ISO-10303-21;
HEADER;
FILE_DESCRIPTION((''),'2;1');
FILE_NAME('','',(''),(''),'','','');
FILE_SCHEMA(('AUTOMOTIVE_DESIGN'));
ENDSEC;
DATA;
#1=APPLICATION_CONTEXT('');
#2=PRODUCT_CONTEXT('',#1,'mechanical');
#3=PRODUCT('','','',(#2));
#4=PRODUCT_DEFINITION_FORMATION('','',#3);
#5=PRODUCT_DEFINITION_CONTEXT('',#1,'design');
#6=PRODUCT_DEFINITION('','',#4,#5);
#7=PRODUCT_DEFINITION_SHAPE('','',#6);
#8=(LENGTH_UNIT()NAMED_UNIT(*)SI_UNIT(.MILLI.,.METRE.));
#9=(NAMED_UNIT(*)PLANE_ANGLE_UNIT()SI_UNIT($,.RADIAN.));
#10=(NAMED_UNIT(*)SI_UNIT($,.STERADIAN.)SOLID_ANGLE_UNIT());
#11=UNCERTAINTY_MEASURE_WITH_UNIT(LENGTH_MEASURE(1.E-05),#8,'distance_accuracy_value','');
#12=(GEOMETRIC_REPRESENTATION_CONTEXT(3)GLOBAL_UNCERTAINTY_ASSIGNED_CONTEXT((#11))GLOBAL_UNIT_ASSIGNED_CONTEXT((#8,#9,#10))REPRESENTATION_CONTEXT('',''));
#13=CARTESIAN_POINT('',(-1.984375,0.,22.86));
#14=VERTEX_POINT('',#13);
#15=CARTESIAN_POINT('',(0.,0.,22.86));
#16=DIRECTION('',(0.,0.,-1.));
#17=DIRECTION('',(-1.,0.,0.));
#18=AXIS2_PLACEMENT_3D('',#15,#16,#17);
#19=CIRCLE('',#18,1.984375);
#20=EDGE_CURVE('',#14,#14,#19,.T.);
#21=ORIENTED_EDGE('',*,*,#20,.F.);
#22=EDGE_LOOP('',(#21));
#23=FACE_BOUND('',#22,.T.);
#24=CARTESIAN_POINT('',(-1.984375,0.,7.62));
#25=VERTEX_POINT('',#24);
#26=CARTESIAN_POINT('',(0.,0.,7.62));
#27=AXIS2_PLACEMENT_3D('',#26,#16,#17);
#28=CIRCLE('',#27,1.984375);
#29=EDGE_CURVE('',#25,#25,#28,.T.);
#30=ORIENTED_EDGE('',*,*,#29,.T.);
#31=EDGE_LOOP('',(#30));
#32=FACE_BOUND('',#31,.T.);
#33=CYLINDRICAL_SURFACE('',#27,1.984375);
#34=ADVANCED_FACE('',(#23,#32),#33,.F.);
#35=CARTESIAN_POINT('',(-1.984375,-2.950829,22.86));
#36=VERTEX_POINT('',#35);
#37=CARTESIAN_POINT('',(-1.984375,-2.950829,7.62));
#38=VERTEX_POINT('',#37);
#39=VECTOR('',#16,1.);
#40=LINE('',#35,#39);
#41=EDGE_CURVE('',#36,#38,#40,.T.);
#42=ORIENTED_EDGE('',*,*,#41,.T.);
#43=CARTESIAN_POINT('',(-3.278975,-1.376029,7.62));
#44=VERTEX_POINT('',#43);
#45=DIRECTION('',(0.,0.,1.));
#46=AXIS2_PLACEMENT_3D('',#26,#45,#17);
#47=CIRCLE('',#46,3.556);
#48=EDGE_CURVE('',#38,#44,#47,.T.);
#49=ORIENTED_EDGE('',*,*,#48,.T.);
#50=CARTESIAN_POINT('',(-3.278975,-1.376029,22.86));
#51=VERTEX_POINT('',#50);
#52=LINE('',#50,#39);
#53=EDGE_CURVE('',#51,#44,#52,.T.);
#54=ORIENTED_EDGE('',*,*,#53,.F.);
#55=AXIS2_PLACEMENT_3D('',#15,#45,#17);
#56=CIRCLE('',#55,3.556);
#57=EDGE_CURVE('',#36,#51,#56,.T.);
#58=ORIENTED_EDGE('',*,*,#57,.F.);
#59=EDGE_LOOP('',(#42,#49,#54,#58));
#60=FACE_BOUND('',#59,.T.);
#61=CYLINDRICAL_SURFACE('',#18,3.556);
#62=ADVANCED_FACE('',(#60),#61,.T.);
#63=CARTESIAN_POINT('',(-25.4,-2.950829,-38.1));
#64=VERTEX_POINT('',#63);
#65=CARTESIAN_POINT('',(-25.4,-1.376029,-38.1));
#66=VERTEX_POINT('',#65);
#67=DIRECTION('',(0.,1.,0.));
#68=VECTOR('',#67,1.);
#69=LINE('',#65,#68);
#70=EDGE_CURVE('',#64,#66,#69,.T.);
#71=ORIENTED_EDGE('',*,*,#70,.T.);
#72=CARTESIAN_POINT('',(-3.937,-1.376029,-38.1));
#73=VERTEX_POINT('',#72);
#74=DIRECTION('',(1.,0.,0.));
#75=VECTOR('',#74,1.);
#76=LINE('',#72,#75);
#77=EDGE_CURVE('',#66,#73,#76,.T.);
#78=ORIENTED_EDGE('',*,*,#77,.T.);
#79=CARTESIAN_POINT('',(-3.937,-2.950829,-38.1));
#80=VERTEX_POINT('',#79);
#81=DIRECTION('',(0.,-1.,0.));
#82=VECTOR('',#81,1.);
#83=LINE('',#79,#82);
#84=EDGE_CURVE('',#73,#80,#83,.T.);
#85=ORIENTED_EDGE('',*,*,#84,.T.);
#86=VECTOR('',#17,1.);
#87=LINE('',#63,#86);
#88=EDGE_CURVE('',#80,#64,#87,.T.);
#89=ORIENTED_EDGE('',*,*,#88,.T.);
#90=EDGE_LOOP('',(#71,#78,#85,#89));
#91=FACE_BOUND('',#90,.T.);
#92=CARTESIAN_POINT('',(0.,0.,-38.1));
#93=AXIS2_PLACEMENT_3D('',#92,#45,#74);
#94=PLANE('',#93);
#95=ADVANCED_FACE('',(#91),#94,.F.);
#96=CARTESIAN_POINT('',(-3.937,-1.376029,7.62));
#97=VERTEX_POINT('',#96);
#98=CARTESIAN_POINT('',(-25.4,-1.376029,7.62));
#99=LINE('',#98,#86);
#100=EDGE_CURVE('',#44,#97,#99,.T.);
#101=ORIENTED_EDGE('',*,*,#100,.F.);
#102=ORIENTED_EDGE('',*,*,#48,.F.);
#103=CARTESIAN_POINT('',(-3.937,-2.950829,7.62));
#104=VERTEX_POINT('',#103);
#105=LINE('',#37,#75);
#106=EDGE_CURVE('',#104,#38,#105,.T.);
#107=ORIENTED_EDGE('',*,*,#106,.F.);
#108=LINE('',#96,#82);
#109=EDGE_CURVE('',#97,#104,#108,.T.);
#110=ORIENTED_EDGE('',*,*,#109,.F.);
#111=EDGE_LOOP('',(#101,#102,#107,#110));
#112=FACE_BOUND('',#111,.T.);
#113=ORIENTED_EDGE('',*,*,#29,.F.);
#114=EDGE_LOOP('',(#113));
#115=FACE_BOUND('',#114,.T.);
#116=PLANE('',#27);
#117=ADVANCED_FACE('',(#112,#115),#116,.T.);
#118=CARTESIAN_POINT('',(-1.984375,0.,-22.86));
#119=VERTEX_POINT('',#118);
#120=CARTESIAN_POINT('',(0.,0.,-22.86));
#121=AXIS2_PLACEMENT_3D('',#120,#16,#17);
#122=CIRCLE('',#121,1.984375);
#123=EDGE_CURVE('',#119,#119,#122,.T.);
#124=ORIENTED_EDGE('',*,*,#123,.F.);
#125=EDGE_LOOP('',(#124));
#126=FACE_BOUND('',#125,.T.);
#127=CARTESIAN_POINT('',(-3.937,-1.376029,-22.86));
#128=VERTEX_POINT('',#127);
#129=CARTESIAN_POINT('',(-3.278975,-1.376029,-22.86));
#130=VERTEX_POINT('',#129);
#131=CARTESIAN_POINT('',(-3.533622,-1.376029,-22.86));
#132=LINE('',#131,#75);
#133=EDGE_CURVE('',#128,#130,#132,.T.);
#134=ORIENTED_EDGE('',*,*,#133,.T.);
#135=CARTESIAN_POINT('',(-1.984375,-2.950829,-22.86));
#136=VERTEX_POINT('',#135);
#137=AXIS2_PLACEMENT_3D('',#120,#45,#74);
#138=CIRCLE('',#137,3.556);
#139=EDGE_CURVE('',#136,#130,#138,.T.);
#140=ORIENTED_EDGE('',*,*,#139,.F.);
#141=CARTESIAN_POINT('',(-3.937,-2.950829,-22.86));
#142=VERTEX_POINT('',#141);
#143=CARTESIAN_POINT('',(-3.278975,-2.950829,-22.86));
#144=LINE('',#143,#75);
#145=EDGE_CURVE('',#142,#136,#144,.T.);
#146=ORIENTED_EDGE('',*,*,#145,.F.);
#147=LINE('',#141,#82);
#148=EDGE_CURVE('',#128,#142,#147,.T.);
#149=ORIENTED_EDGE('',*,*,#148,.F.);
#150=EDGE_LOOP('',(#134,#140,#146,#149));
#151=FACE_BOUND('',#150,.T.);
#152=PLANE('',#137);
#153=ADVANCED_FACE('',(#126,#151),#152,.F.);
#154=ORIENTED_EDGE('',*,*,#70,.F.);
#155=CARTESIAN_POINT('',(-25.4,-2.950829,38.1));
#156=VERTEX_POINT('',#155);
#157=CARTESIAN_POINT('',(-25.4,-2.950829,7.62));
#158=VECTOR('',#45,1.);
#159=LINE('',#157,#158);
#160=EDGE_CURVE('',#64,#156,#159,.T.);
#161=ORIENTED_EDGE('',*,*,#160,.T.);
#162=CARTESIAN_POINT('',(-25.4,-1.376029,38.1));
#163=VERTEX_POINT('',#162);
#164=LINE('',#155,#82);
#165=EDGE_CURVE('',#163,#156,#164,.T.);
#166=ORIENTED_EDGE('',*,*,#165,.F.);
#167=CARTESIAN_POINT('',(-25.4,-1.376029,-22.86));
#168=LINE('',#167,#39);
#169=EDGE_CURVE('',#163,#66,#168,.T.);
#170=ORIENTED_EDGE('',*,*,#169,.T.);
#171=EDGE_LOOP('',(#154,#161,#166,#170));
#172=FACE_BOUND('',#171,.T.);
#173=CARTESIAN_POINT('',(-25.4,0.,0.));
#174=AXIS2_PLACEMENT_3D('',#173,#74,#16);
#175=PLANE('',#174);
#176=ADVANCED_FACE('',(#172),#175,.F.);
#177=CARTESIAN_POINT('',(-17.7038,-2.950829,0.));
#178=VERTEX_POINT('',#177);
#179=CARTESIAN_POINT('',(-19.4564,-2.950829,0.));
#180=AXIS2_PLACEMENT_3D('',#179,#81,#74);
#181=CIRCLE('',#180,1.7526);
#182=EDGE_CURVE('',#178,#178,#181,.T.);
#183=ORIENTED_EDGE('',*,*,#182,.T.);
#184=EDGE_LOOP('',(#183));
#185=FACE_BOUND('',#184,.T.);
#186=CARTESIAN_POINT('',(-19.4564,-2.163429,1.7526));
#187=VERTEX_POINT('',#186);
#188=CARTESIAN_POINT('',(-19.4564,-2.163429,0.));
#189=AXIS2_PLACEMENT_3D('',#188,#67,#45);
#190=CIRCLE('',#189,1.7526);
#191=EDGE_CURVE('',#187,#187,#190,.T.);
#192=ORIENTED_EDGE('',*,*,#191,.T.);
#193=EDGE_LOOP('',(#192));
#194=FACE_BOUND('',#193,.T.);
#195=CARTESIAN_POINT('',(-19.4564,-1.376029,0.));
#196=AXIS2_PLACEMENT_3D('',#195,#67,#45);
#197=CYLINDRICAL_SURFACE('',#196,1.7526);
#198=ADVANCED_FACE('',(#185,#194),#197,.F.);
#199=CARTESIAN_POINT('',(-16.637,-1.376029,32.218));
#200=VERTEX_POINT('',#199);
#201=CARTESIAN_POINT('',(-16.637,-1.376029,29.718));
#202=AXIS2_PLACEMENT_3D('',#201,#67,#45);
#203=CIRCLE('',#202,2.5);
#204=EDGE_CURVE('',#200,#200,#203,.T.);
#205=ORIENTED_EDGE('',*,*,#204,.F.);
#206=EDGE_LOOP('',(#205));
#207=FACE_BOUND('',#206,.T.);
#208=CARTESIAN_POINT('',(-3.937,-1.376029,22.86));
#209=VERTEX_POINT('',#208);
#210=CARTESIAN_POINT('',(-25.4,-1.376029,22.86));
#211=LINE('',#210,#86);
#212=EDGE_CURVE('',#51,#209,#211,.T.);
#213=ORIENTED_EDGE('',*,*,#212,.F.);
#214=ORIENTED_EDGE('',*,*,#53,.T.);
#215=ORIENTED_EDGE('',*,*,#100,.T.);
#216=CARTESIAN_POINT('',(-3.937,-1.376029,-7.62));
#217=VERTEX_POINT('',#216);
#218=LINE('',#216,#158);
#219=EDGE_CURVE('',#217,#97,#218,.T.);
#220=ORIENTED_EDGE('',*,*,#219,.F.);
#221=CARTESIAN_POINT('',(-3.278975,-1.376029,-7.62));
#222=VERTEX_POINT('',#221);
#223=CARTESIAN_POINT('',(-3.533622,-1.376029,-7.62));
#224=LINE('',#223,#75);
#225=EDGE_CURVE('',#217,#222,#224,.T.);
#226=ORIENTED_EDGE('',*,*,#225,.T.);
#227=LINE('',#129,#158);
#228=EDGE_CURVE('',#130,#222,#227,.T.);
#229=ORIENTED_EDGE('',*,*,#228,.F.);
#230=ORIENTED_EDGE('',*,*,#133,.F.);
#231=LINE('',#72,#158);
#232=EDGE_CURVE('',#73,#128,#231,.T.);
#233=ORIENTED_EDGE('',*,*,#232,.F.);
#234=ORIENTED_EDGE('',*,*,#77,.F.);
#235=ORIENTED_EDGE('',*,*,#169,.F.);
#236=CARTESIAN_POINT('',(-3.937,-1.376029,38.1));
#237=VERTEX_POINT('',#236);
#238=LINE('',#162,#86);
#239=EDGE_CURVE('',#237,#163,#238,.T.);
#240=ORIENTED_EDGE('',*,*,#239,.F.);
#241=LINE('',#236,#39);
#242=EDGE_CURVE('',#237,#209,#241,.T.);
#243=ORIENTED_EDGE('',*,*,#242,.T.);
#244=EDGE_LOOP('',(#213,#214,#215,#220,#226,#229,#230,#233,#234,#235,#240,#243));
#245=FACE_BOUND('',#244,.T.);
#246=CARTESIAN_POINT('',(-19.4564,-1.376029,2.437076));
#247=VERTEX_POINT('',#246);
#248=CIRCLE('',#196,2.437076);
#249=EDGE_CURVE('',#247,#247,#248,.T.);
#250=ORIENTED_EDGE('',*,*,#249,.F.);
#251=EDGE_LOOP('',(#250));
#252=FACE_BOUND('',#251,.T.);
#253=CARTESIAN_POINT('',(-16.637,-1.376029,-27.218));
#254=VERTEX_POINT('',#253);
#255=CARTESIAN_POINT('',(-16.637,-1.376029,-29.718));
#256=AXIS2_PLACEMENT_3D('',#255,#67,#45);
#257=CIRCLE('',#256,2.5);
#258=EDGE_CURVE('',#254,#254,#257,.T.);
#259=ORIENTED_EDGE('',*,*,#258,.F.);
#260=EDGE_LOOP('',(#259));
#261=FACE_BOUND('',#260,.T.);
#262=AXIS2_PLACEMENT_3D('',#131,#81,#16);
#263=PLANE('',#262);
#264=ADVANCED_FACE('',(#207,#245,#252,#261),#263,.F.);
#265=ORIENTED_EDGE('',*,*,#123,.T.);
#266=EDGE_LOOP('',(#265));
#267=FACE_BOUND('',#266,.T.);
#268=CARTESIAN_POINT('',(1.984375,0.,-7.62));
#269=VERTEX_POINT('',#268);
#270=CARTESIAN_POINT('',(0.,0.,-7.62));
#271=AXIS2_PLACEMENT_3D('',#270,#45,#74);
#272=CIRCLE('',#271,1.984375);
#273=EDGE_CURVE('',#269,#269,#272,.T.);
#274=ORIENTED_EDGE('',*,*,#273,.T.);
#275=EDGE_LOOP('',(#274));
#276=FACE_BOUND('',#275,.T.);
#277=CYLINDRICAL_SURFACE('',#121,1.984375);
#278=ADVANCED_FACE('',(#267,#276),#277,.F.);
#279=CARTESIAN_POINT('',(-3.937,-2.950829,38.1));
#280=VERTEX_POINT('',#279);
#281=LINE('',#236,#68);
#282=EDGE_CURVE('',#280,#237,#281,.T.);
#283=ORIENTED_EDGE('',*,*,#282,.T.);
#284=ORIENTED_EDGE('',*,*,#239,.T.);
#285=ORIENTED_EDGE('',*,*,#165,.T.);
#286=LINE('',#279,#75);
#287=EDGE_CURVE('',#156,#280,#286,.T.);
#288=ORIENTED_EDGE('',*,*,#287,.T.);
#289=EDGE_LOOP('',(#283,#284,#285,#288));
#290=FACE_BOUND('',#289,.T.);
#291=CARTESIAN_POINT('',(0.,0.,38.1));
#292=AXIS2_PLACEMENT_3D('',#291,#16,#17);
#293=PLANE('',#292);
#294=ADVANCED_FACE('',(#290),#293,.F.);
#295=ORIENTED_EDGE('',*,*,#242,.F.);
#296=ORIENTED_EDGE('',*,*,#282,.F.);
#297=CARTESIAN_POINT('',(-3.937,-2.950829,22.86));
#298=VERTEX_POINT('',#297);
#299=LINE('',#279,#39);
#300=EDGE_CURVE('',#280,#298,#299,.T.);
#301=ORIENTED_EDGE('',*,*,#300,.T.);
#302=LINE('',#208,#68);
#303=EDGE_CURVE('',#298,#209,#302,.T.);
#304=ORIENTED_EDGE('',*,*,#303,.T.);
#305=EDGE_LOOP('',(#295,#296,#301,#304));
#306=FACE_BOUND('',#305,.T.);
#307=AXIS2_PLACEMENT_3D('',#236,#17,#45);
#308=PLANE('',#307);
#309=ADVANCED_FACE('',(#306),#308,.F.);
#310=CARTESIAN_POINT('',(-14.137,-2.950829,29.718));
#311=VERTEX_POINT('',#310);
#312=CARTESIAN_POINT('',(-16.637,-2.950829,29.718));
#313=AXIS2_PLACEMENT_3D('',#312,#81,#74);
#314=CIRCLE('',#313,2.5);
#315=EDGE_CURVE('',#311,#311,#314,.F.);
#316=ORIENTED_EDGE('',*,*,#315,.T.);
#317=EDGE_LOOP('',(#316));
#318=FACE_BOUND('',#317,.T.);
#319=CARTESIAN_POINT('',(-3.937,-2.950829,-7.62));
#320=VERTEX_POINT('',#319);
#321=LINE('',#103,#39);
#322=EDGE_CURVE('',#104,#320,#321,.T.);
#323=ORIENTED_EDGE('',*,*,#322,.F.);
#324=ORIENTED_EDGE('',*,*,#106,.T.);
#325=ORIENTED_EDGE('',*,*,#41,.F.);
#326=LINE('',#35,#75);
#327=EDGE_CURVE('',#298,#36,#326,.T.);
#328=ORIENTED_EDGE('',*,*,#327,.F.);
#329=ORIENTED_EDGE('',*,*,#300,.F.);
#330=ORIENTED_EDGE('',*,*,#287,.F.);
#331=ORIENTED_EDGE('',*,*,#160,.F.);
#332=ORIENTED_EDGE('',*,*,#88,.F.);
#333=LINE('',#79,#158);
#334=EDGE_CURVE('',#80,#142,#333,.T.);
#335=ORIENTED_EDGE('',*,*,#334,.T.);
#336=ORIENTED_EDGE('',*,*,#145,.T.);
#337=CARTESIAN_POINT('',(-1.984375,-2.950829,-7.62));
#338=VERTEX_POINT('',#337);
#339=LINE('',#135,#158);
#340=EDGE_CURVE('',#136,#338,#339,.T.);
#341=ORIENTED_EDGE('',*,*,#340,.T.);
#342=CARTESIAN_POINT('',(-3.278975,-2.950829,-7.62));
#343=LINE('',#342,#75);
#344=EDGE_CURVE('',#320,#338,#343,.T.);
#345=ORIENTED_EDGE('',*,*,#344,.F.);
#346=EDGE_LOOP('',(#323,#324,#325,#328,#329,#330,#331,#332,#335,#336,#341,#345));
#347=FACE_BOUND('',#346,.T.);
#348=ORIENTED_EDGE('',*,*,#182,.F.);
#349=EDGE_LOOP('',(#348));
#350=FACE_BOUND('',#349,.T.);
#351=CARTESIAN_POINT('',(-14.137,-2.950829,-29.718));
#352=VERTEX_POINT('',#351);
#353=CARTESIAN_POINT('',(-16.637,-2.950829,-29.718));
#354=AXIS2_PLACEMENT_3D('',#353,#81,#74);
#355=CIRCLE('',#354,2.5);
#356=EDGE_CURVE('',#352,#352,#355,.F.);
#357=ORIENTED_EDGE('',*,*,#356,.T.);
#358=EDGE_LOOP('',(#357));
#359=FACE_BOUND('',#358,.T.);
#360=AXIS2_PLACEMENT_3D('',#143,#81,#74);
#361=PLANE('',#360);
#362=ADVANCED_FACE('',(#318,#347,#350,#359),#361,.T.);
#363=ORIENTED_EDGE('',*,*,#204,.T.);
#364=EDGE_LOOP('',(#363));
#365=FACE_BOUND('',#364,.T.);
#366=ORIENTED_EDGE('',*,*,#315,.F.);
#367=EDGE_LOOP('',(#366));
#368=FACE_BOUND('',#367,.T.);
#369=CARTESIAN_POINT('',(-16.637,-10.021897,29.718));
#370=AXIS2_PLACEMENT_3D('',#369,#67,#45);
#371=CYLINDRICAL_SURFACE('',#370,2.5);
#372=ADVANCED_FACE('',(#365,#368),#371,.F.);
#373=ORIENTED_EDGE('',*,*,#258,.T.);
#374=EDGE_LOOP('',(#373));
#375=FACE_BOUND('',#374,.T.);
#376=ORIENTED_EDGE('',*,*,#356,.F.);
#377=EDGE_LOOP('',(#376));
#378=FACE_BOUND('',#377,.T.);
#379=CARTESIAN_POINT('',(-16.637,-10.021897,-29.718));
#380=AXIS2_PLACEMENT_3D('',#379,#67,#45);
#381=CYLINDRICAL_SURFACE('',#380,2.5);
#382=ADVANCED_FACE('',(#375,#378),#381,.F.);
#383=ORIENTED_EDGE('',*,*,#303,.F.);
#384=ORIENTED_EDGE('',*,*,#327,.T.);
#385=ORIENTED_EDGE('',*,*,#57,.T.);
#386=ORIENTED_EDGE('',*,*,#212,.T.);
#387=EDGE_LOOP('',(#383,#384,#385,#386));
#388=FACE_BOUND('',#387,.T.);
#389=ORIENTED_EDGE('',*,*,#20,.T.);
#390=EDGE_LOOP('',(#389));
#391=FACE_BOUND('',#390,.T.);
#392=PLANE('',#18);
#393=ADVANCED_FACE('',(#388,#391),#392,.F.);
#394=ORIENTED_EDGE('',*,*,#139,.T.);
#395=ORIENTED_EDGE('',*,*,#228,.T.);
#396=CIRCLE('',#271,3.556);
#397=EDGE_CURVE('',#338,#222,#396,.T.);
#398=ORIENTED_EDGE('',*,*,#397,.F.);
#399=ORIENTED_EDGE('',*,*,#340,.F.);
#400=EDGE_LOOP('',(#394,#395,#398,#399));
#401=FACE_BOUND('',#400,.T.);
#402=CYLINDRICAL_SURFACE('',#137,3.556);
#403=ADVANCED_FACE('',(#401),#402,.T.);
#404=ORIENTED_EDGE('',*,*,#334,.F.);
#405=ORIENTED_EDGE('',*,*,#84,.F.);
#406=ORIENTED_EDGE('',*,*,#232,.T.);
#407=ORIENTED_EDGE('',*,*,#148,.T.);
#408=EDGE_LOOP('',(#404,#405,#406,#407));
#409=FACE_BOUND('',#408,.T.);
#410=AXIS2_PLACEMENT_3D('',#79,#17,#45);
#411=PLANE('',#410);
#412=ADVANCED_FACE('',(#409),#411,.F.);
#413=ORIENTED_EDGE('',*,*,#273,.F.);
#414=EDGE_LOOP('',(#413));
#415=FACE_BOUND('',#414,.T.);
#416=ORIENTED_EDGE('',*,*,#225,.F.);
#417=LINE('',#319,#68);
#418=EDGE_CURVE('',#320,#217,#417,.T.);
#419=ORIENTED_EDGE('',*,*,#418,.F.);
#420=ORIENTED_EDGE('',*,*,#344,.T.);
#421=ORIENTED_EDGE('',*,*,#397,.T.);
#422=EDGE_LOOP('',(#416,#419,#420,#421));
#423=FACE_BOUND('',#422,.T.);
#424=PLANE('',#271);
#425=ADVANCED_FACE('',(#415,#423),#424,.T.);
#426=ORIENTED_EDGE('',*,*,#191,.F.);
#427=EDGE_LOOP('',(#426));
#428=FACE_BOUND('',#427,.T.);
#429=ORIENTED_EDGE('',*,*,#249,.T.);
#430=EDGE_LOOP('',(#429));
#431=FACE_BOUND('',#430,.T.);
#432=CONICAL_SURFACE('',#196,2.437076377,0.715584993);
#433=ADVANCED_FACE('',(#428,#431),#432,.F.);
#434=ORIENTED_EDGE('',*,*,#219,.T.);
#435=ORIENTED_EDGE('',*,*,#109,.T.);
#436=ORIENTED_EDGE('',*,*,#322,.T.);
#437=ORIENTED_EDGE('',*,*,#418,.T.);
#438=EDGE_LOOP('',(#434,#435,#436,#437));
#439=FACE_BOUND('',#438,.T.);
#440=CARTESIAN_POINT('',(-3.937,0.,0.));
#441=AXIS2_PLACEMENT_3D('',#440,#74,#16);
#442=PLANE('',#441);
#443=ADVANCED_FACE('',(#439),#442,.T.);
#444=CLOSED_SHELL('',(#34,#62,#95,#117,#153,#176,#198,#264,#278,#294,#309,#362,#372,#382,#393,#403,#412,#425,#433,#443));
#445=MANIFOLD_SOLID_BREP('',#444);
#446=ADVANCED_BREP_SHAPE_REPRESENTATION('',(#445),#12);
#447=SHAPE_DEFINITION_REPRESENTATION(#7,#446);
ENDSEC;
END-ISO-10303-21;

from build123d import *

# Parameters (mm, degrees)
BOSS_EXTRUDE1_DEPTH                            = 15.24
SKETCH2_W                                      = 15.24
SKETCH2_H                                      = 1.5748
BOSS_EXTRUDE2_DEPTH                            = 0.254646985
SKETCH3_W                                      = 30.48
SKETCH3_H                                      = 1.5748
BOSS_EXTRUDE3_DEPTH                            = 21.866377542
SKETCH4_W                                      = 15.24
SKETCH4_H                                      = 1.5748
CUT_EXTRUDE1_DEPTH                             = 0.403377542
BOSS_EXTRUDE4_DEPTH                            = 15.24
SKETCH6_W                                      = 21.463
SKETCH6_H                                      = 1.5748
BOSS_EXTRUDE5_DEPTH                            = 15.24
SKETCH7_W                                      = 21.463
SKETCH7_H                                      = 1.5748
BOSS_EXTRUDE6_DEPTH                            = 15.24
SKETCH8_W                                      = 1.984375
SKETCH8_H                                      = 30.480025
M3_5_CLEARANCE_HOLE2_D                         = 3.96875
M3_5_CLEARANCE_HOLE2_DEPTH                     = 60.960025
CSK_FOR_M3_FLAT_HEAD_MACHINE_SCREW1_AT_2_COUNT = 2
CSK_FOR_M3_FLAT_HEAD_MACHINE_SCREW1_AT_2_PITCH = 59.436
CSK_FOR_M3_FLAT_HEAD_MACHINE_SCREW1_AT_3_COUNT = 2
CSK_FOR_M3_FLAT_HEAD_MACHINE_SCREW1_AT_3_PITCH = 29.851441177
SKETCH14_R                                     = 2.5
CUT_EXTRUDE2_DEPTH                             = 1.5748


with BuildPart() as part:
    # Sketch1 → Boss-Extrude1 (new body)
    with BuildSketch(Plane.XY.offset(-7.62)):
        with BuildLine():
            Line((-3.278975474, -1.376029012), (-3.278975474, -2.950829012))
            Line((-3.278975474, -2.950829012), (-1.984375, -2.950829012))
            ThreePointArc((-1.984375, -2.950829012), (2.746946179, 2.258190135), (-3.278975474, -1.376029012))
        make_face()
    extrude(amount=-BOSS_EXTRUDE1_DEPTH)

    # Sketch2 → Boss-Extrude2 (add)
    with BuildSketch(Plane.ZY.offset(3.278975474)):
        with Locations((-15.24, -2.163429012)):
            Rectangle(SKETCH2_W, SKETCH2_H)
    extrude(amount=BOSS_EXTRUDE2_DEPTH)

    # Sketch3 → Boss-Extrude3 (add)
    with BuildSketch(Plane.ZY.offset(3.533622458)):
        with Locations((-7.62, -2.163429012)):
            Rectangle(SKETCH3_W, SKETCH3_H)
    extrude(amount=BOSS_EXTRUDE3_DEPTH)

    # Sketch4 → Cut-Extrude1 (cut)
    with BuildSketch(Plane(origin=(-3.533622458, 0, 0), x_dir=(0, 0, -1), z_dir=(1, 0, 0))):
        with Locations((0, -2.163429012)):
            Rectangle(SKETCH4_W, SKETCH4_H)
    extrude(amount=-CUT_EXTRUDE1_DEPTH, mode=Mode.SUBTRACT)

    # Sketch5 → Boss-Extrude4 (add)
    with BuildSketch(Plane.XY.offset(7.62)):
        with BuildLine():
            Line((-25.4, -1.376029012), (-3.278975474, -1.376029012))
            ThreePointArc((-3.278975474, -1.376029012), (2.746946179, 2.258190135), (-1.984375, -2.950829012))
            Line((-1.984375, -2.950829012), (-25.4, -2.950829012))
            Line((-25.4, -2.950829012), (-25.4, -1.376029012))
        make_face()
    extrude(amount=BOSS_EXTRUDE4_DEPTH)

    # Sketch6 → Boss-Extrude5 (add)
    with BuildSketch(Plane.XY.offset(22.86)):
        with Locations((-14.6685, -2.163429012)):
            Rectangle(SKETCH6_W, SKETCH6_H)
    extrude(amount=BOSS_EXTRUDE5_DEPTH)

    # Sketch7 → Boss-Extrude6 (add)
    with BuildSketch(Plane(origin=(0, 0, -22.86), x_dir=(-1, 0, 0), z_dir=(0, 0, -1))):
        with Locations((14.6685, -2.163429012)):
            Rectangle(SKETCH7_W, SKETCH7_H)
    extrude(amount=BOSS_EXTRUDE6_DEPTH)

    # Sketch8 → M3.5 Clearance Hole1 (revolve, cut)
    with BuildSketch(Plane(origin=(0, 0, 7.62), x_dir=(0, 1, 0), z_dir=(1, 0, 0))):
        with Locations((0.9921875, 15.2400125)):
            Rectangle(SKETCH8_W, SKETCH8_H)
    revolve(axis=Axis((0, 0, 1.27), (0, 0, 1)), mode=Mode.SUBTRACT)

    # M3.5 Clearance Hole2
    with Locations(Plane(origin=(0, 0, -22.86), x_dir=(-1, 0, 0), z_dir=(0, 0, -1))):
        with Locations((0, 0)):
            Hole(M3_5_CLEARANCE_HOLE2_D / 2, depth=M3_5_CLEARANCE_HOLE2_DEPTH)

    # Sketch12 → CSK for M3 Flat Head Machine Screw1 (revolve, cut)
    with BuildSketch(Plane(origin=(-16.637, -1.376029012, -29.718), x_dir=(0, 0, 1), z_dir=(1, 0, 0))):
        Polygon((0, 0), (0, 2.179970988), (1.7526, 2.179970988), (1.7526, 0.7874), (2.437076377, 0), align=None)
    csk_for_m3_flat_head_machine_screw1 = revolve(axis=Axis((-16.637, 4.973970988, -29.718), (0, -1, 0)), mode=Mode.SUBTRACT)

    # CSK for M3 Flat Head Machine Screw1 at 2: CSK for M3 Flat Head Machine Screw1 ×2
    with Locations(*[(0, 0, i * CSK_FOR_M3_FLAT_HEAD_MACHINE_SCREW1_AT_2_PITCH) for i in range(1, CSK_FOR_M3_FLAT_HEAD_MACHINE_SCREW1_AT_2_COUNT)]):
        add(csk_for_m3_flat_head_machine_screw1, mode=Mode.SUBTRACT)

    # CSK for M3 Flat Head Machine Screw1 at 3: CSK for M3 Flat Head Machine Screw1 ×2
    with Locations(*[Vector(-0.094447701, 0, 0.995529825) * (i * CSK_FOR_M3_FLAT_HEAD_MACHINE_SCREW1_AT_3_PITCH) for i in range(1, CSK_FOR_M3_FLAT_HEAD_MACHINE_SCREW1_AT_3_COUNT)]):
        add(csk_for_m3_flat_head_machine_screw1, mode=Mode.SUBTRACT)

    # Sketch14 → Cut-Extrude2 (cut)
    with BuildSketch(Plane(origin=(0, -1.376029012, 0), x_dir=(1, 0, 0), z_dir=(0, 1, 0))):
        with Locations((-16.637, 29.718)):
            Circle(SKETCH14_R)
        with Locations((-16.637, -29.718)):
            Circle(SKETCH14_R)
    extrude(amount=-CUT_EXTRUDE2_DEPTH, mode=Mode.SUBTRACT)


solid = part.part
